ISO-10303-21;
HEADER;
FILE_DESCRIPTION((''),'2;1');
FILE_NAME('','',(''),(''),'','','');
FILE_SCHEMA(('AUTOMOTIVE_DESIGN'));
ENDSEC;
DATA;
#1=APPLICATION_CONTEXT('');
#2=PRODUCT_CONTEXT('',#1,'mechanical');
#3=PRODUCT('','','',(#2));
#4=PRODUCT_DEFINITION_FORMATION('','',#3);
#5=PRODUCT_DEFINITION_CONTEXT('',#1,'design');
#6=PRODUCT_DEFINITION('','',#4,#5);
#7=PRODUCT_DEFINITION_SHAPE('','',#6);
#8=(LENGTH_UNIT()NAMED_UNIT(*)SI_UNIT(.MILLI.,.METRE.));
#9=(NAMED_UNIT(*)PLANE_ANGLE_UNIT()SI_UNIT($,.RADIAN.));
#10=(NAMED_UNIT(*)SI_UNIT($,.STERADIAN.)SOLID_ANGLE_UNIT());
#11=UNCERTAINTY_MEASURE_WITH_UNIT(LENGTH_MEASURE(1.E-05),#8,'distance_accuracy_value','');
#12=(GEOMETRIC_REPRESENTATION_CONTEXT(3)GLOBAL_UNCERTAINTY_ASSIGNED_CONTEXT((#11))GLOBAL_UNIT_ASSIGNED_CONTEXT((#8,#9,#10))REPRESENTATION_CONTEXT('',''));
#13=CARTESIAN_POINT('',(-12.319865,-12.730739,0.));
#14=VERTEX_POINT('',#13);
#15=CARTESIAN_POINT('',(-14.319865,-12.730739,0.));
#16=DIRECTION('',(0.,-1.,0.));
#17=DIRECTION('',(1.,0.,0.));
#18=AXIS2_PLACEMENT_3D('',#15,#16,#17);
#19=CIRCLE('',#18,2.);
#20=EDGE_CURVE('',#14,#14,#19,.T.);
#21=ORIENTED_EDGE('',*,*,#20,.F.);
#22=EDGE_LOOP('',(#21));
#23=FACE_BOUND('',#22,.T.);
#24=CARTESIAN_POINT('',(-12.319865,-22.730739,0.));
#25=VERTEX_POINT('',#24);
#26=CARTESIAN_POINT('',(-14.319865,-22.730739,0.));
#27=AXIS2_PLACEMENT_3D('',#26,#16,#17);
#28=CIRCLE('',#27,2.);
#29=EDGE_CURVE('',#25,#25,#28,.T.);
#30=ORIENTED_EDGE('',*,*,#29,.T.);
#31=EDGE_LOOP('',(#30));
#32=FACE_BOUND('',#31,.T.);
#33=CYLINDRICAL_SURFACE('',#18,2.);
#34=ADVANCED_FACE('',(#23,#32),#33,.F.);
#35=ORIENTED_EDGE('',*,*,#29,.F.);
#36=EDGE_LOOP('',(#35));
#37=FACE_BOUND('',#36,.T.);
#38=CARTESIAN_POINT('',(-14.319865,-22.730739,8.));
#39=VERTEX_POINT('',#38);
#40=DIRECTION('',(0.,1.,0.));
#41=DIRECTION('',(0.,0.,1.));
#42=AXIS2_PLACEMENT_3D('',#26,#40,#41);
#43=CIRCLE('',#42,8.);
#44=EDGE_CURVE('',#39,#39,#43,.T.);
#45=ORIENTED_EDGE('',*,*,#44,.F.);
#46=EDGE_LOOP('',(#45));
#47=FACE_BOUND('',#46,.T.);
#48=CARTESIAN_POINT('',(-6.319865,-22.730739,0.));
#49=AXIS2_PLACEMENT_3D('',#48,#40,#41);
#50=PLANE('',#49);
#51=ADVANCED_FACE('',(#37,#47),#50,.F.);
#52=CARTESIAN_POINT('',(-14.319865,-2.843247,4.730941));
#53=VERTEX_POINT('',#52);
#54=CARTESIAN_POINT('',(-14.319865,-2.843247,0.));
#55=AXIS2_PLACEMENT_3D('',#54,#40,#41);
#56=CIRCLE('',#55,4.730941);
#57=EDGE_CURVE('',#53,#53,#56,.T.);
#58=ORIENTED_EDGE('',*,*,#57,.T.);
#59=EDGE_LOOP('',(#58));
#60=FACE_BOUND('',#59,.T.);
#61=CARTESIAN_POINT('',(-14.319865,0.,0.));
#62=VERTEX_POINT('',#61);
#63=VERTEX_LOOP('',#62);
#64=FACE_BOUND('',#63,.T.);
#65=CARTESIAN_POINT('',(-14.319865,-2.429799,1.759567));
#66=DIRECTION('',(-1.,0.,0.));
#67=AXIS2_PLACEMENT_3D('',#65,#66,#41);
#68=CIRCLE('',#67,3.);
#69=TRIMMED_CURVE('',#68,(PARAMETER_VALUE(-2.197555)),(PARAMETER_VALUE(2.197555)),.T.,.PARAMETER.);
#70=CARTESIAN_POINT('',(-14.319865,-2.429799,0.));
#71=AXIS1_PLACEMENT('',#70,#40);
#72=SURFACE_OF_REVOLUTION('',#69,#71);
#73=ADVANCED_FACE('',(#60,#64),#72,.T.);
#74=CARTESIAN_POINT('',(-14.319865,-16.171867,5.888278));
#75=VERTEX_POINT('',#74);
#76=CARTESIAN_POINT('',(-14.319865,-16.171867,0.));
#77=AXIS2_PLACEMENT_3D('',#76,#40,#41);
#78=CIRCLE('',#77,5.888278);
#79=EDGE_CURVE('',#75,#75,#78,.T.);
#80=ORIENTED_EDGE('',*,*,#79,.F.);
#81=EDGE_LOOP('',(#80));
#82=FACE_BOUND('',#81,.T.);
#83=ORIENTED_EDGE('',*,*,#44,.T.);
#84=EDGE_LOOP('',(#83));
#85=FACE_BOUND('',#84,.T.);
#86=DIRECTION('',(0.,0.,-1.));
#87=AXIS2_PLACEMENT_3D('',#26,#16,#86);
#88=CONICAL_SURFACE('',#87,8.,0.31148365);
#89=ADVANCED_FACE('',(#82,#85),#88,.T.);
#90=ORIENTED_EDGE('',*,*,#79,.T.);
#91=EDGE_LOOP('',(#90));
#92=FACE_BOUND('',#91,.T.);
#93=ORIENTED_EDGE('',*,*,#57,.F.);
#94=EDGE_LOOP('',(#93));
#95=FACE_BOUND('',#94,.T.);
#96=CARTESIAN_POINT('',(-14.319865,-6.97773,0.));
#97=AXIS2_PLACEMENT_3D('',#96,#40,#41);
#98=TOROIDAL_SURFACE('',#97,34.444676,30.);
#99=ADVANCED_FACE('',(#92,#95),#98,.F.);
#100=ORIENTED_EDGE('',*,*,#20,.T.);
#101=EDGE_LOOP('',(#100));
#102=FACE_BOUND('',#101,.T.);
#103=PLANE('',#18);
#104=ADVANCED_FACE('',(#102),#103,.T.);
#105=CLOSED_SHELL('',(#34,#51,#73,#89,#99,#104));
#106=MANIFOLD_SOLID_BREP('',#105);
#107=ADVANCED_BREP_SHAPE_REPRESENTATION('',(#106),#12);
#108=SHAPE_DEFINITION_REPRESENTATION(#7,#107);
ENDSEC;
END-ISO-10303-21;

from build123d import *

# Parameters (mm, degrees)
SKETCH4_R          = 2
CUT_EXTRUDE3_DEPTH = 10


with BuildPart() as part:
    # Sketch1 → Revolve2 (revolve)
    with BuildSketch(Plane.XY, mode=Mode.PRIVATE) as revolve2_sk:
        with BuildLine():
            Line((-14.319865134, 0), (-14.319865134, -22.730738562))
            Line((-14.319865134, -22.730738562), (-6.319865134, -22.730738562))
            Line((-6.319865134, -22.730738562), (-8.431586918, -16.171866575))
            ThreePointArc((-8.431586918, -16.171866575), (-9.762730431, -9.572895053), (-9.588924395, -2.843247242))
            ThreePointArc((-9.588924395, -2.843247242), (-11.014939587, 0.14155622), (-14.319865134, 0))
        make_face()
    revolve(revolve2_sk.sketch.rotate(Axis((-14.319865134, 0, 0), (0, -1, 0)), 90), axis=Axis((-14.319865134, 0, 0), (0, -1, 0)))

    # Sketch4 → Cut-Extrude3 (cut)
    with BuildSketch(Plane.XZ.offset(22.730738562)):
        with Locations((-14.319865134, 0)):
            Circle(SKETCH4_R)
    extrude(amount=-CUT_EXTRUDE3_DEPTH, mode=Mode.SUBTRACT)


solid = part.part
